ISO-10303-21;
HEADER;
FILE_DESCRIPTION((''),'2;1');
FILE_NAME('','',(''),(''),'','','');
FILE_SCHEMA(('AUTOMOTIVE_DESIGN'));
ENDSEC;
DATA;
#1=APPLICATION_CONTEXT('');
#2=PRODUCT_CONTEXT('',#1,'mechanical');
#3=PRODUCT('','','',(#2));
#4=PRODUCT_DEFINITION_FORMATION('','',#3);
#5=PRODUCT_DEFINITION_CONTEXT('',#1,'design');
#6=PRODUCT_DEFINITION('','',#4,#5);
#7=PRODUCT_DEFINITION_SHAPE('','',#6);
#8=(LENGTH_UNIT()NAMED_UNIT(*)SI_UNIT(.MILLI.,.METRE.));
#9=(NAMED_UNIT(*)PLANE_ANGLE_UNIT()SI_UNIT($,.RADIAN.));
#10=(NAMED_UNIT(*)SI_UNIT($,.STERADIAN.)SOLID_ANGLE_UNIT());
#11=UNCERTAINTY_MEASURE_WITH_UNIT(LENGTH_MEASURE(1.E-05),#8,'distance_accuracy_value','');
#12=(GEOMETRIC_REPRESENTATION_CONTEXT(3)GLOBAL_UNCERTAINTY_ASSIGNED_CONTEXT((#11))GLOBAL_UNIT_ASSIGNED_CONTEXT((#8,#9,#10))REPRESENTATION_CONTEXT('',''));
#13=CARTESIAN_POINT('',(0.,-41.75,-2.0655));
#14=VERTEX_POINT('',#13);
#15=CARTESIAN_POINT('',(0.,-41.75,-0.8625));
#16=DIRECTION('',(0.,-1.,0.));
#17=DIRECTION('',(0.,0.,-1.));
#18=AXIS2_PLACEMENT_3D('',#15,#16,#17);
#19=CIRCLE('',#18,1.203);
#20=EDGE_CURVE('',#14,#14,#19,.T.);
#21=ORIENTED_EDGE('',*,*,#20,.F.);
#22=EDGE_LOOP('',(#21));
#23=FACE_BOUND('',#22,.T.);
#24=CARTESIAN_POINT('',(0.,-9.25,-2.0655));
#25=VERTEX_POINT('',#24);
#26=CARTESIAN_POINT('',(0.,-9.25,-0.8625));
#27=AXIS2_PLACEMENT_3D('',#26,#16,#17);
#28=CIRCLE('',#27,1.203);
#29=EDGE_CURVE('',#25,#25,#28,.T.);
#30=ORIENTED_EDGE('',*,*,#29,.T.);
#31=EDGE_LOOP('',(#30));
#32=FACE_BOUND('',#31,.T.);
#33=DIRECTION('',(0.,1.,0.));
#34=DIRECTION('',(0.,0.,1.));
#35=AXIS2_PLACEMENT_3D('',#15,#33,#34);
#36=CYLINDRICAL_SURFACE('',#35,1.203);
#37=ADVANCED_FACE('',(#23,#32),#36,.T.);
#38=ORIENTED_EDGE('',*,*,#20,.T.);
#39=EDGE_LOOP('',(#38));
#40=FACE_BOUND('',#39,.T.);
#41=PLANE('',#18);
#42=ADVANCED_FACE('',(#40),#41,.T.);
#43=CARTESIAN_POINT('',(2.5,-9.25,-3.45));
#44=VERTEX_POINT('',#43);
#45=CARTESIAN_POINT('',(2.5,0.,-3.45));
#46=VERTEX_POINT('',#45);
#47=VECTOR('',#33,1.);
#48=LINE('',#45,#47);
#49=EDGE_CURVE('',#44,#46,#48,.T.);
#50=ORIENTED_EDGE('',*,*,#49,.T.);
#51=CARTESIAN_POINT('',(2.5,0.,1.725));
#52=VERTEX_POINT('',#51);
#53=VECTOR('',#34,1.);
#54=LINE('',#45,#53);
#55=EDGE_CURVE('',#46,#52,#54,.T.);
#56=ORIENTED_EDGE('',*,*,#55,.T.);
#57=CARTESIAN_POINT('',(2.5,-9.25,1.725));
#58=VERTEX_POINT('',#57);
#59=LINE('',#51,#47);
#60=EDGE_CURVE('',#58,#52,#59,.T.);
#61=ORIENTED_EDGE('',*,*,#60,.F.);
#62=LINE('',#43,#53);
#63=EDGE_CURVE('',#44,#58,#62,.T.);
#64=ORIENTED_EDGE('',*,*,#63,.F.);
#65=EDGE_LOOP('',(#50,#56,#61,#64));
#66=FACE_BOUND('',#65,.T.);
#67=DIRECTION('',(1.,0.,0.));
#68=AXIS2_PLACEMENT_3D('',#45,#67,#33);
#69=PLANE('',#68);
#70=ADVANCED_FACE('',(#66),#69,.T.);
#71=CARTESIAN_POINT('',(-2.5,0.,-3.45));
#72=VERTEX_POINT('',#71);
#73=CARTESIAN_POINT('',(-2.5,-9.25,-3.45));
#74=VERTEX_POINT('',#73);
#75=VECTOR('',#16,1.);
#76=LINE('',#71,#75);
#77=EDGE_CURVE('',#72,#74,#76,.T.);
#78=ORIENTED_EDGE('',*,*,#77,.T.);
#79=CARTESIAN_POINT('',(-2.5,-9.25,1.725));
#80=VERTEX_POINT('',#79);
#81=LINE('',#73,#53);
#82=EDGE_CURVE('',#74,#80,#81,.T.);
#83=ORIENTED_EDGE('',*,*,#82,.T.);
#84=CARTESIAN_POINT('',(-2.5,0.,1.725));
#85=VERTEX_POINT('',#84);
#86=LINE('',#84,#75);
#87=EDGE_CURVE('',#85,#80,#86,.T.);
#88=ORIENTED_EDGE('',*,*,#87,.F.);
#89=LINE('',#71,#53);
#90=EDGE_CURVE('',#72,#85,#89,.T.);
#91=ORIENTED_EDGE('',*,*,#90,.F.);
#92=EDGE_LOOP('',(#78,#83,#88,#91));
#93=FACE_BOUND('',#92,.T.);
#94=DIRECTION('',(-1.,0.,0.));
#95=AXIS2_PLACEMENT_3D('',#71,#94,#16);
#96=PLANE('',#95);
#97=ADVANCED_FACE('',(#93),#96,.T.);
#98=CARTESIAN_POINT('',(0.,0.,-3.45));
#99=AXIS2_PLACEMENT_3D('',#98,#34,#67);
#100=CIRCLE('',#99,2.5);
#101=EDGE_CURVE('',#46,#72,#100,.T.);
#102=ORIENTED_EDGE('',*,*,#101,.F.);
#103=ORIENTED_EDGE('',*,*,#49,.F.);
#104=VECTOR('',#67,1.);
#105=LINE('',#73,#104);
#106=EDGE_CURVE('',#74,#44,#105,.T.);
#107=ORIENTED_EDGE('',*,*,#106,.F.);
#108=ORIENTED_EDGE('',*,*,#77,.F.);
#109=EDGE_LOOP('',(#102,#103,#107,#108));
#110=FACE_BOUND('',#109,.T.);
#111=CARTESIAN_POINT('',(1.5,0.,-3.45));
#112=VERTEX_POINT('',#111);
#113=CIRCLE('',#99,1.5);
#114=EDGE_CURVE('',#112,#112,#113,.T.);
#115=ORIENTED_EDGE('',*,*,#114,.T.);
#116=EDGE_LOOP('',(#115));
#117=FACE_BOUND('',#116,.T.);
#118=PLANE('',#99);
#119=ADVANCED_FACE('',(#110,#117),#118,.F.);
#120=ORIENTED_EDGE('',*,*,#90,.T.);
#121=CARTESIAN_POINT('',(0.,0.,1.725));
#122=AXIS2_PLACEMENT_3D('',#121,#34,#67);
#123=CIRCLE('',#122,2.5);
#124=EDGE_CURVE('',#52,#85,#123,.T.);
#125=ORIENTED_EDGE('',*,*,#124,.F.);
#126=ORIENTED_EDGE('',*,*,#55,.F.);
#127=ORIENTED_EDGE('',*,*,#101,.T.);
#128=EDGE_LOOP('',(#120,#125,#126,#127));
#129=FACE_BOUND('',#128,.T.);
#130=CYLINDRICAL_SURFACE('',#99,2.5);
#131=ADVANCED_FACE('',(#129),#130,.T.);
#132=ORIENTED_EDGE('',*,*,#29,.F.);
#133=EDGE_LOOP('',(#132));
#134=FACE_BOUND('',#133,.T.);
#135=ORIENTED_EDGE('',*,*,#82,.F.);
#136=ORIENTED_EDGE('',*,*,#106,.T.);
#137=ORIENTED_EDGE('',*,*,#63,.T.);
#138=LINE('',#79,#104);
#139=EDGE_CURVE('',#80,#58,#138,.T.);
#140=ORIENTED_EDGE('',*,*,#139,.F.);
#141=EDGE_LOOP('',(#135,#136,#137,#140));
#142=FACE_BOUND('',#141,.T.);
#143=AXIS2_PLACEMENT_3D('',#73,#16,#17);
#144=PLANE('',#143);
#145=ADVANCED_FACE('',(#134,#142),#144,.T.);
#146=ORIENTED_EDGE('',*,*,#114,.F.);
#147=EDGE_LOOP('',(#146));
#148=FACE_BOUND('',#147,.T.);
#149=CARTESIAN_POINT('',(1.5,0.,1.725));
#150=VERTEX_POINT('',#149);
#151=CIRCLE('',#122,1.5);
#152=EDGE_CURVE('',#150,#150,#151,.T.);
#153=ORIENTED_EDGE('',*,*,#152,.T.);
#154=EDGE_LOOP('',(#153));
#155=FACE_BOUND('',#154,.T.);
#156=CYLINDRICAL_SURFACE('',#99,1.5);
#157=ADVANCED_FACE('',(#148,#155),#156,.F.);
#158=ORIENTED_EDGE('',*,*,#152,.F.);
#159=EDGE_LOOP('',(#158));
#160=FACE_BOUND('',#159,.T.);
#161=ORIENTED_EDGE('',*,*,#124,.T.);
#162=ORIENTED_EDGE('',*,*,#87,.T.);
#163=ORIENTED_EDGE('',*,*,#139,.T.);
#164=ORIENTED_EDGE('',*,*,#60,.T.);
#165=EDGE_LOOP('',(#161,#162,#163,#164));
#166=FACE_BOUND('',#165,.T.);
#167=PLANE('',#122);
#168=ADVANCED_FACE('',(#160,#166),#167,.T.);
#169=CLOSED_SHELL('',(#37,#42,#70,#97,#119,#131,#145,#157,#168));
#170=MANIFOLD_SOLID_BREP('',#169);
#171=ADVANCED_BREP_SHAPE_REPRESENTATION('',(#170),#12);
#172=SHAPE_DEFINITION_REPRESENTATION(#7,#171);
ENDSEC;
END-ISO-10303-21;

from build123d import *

# Parameters (mm, degrees)
SKETCH1_R                = 1.5
BOSS_EXTRUDE1_DEPTH      = 1.725
BOSS_EXTRUDE1_DEPTH_BACK = 3.45
SKETCH2_R                = 1.203
BOSS_EXTRUDE2_DEPTH      = 32.5


with BuildPart() as part:
    # Sketch1 → Boss-Extrude1 (new body, two sides)
    with BuildSketch(Plane.XY) as boss_extrude1_sk:
        with BuildLine():
            Line((-2.5, 0), (-2.5, -9.25))
            Line((-2.5, -9.25), (2.5, -9.25))
            Line((2.5, -9.25), (2.5, 0))
            ThreePointArc((2.5, 0), (0, 2.5), (-2.5, 0))
        make_face()
        Circle(SKETCH1_R, mode=Mode.SUBTRACT)
    extrude(amount=BOSS_EXTRUDE1_DEPTH)
    extrude(boss_extrude1_sk.sketch, amount=-BOSS_EXTRUDE1_DEPTH_BACK)

    # Sketch2 → Boss-Extrude2 (add)
    with BuildSketch(Plane.XZ.offset(9.25)):
        with Locations((0, -0.8625)):
            Circle(SKETCH2_R)
    extrude(amount=BOSS_EXTRUDE2_DEPTH)


solid = part.part
